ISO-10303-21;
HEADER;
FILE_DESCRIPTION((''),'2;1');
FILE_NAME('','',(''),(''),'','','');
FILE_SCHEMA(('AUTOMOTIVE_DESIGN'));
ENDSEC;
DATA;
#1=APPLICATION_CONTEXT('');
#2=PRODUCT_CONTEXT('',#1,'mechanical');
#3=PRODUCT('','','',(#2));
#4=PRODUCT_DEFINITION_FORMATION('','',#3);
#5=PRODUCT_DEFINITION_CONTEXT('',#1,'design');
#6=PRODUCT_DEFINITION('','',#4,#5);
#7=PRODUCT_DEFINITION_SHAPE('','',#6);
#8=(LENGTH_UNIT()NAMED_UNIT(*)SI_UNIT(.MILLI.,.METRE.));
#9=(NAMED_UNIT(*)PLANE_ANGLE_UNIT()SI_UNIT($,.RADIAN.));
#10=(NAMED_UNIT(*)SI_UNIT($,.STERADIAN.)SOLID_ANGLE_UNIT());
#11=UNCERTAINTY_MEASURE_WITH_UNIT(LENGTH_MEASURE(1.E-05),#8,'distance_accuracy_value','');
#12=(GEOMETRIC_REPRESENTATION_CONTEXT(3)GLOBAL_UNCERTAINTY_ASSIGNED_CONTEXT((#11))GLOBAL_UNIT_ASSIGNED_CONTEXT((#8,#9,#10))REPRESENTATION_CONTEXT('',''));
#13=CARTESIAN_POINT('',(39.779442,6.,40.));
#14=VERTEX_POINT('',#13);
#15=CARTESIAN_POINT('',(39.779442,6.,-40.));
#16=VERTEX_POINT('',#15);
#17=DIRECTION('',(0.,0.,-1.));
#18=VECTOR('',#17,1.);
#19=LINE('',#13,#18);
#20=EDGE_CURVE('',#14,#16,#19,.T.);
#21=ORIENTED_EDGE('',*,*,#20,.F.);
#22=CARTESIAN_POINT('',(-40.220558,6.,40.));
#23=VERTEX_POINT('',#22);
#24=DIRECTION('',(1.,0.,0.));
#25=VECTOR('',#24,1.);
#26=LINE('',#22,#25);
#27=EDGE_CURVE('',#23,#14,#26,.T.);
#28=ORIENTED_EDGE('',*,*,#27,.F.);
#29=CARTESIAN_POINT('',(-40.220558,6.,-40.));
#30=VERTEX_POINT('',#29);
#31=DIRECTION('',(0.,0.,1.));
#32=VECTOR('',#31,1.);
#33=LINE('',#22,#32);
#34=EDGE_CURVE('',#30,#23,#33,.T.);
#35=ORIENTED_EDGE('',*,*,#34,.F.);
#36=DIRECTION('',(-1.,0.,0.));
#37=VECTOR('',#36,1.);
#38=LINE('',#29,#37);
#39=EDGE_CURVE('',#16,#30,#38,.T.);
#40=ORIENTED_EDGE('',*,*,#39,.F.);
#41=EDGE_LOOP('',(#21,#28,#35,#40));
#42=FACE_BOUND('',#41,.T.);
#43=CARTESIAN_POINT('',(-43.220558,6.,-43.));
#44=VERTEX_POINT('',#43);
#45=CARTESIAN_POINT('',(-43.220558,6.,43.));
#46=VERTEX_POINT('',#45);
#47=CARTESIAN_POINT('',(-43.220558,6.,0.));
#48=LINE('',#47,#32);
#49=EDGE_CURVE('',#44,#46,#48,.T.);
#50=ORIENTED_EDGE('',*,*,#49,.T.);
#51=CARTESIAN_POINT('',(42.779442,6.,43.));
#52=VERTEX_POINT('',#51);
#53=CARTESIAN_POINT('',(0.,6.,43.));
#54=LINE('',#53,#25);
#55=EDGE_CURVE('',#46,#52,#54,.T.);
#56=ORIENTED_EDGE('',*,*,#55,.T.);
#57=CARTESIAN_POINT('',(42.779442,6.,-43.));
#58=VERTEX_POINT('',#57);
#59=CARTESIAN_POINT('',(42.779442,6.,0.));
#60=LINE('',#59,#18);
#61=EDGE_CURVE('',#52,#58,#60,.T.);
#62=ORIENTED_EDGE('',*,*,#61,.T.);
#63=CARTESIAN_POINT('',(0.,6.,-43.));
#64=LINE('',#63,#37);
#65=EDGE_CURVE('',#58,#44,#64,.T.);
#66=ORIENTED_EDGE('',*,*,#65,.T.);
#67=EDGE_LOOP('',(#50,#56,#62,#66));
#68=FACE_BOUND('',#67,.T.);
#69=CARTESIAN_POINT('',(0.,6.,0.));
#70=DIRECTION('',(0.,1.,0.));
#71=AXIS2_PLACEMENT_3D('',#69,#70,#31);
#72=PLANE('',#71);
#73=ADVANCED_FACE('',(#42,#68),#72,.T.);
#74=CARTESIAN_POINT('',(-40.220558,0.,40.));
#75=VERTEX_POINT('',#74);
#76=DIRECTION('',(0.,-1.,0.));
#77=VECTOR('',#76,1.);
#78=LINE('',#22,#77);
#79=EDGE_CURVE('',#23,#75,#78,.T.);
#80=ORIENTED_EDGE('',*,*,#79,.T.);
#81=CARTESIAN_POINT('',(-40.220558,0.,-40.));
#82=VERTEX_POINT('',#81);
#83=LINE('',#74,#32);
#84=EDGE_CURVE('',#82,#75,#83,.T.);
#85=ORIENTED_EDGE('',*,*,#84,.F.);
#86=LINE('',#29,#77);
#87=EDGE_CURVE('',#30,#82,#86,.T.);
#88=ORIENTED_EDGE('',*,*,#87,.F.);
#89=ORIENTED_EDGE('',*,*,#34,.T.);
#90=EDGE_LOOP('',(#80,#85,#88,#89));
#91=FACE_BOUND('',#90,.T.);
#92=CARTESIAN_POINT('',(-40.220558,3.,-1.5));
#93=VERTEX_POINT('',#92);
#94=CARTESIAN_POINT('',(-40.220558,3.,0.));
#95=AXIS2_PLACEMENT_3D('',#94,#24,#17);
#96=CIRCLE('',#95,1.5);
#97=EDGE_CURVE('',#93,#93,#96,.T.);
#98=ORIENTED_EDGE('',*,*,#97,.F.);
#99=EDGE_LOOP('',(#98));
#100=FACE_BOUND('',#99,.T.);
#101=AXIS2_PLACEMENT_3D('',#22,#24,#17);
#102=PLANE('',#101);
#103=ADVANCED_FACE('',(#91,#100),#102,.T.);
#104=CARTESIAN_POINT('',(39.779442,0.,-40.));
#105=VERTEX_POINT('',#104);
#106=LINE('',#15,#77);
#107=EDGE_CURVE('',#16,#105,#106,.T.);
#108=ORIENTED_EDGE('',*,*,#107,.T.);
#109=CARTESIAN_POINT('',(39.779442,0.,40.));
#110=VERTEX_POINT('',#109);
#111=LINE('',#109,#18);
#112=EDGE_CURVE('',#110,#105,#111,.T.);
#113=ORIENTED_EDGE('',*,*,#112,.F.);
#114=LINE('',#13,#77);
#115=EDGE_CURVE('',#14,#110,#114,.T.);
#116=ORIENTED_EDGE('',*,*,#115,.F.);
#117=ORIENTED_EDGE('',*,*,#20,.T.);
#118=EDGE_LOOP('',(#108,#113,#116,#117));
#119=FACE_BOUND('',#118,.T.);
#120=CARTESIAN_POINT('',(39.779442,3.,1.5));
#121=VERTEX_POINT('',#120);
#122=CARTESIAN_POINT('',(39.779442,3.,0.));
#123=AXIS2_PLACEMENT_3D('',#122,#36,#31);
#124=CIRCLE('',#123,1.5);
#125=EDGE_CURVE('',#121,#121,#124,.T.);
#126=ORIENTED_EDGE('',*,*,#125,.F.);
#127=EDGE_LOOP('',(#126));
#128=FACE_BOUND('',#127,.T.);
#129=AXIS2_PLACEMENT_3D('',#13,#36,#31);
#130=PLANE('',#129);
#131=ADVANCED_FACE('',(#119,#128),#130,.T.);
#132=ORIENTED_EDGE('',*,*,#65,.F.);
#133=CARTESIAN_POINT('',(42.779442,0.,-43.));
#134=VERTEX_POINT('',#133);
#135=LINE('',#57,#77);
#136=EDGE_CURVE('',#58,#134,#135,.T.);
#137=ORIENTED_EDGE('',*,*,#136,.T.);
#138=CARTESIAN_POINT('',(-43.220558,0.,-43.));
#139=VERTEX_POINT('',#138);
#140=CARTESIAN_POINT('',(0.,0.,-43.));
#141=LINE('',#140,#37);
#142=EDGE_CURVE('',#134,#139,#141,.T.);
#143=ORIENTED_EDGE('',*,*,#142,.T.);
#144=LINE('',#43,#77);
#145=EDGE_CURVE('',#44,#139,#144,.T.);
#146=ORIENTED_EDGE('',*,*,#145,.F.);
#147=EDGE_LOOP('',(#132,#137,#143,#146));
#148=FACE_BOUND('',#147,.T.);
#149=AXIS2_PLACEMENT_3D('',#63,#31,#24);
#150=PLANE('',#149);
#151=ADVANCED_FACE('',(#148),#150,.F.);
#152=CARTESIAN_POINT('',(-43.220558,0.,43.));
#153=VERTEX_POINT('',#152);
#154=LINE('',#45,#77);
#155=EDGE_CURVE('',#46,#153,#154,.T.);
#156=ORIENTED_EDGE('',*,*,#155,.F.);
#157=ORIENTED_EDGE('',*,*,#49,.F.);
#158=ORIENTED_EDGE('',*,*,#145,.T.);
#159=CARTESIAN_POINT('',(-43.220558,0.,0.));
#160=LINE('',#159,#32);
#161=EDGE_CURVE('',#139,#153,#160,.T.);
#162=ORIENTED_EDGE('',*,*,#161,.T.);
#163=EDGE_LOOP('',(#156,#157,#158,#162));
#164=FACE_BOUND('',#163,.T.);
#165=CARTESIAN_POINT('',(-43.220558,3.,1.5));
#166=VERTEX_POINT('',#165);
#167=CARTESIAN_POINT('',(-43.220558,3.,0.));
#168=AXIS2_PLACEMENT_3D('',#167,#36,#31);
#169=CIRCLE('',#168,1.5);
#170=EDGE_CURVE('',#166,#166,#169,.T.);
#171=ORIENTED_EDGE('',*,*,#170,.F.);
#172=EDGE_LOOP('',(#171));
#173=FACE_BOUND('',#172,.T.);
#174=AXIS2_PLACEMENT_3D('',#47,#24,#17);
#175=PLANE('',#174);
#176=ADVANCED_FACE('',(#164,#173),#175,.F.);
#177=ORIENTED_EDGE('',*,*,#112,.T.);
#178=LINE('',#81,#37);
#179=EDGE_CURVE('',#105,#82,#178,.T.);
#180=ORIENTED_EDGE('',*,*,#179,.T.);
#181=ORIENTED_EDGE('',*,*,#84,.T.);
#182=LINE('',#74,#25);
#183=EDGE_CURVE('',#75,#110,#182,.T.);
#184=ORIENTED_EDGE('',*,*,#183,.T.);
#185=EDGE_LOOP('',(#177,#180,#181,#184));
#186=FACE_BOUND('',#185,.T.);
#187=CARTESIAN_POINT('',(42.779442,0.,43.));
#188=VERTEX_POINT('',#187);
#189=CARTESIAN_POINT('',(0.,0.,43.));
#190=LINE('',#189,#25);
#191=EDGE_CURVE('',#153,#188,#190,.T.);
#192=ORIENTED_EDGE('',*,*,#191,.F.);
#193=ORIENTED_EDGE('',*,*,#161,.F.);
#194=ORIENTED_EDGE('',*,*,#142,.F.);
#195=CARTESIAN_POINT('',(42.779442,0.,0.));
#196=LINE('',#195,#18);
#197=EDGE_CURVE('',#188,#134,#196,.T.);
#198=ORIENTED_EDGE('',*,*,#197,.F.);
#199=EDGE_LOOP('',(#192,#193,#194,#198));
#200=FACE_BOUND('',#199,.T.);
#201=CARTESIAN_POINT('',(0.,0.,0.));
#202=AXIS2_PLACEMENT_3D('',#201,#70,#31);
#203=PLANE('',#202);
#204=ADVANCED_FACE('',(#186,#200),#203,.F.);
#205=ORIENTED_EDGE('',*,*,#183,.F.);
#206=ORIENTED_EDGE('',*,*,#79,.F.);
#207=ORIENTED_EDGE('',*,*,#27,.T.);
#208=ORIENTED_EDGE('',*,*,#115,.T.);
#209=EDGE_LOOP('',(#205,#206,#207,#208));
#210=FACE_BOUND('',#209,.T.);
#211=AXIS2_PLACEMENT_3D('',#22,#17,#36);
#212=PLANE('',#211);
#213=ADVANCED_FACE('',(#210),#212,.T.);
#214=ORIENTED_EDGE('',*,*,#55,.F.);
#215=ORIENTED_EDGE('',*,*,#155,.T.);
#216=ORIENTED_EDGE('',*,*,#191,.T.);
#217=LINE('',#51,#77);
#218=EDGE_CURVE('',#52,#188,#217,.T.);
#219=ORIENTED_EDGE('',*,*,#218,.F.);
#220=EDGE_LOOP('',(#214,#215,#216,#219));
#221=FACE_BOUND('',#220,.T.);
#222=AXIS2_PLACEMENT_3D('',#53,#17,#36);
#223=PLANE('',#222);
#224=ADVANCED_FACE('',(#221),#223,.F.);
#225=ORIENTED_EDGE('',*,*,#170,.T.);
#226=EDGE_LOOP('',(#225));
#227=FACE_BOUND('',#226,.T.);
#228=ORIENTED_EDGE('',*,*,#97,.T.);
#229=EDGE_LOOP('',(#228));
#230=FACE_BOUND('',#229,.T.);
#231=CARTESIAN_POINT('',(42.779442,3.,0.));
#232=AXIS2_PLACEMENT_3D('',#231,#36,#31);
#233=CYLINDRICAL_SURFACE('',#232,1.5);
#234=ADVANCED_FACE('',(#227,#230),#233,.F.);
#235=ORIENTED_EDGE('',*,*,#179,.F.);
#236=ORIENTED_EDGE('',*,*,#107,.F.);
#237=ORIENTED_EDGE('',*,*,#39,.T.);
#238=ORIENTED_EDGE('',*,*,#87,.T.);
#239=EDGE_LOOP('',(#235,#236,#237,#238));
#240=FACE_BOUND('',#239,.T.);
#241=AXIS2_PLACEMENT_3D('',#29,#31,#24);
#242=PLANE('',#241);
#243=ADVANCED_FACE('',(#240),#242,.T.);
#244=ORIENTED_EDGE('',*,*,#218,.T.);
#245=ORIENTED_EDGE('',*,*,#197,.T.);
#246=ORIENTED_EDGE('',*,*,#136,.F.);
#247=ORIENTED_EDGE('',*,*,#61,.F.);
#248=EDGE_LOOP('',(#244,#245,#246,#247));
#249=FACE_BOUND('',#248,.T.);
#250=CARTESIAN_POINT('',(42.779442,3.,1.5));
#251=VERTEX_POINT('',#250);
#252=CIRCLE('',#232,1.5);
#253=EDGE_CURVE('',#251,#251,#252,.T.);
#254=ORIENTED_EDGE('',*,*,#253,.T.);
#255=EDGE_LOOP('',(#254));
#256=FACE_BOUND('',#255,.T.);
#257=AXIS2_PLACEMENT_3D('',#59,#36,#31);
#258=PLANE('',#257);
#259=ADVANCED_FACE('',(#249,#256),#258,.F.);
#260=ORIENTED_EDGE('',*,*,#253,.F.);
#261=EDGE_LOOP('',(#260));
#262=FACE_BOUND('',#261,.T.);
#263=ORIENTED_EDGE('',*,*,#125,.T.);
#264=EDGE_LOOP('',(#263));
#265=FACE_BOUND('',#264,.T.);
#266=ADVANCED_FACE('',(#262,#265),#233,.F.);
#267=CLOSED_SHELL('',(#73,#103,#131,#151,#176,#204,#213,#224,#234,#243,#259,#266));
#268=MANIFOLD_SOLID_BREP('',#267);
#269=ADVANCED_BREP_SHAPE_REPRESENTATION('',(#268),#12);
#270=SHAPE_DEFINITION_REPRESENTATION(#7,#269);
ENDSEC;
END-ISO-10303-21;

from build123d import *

# Parameters (mm, degrees)
SKETCH1_W               = 86
SKETCH1_H               = 86
SKETCH1_W_2             = 80
SKETCH1_H_2             = 80
EXTRUDE_THIN1_DEPTH     = 6
CUT_EXTRUDE1_DEPTH      = 94.669632219
CUT_EXTRUDE1_DEPTH_BACK = 94.669632219
SKETCH2_R               = 1.5


with BuildPart() as part:
    # Sketch1 → Extrude-Thin1 (new body)
    with BuildSketch(Plane(origin=(0, 0, 0), x_dir=(1, 0, 0), z_dir=(0, 1, 0))):
        with Locations((-0.220557938, 0)):
            Rectangle(SKETCH1_W, SKETCH1_H)
        with Locations((-0.220557938, 0)):
            Rectangle(SKETCH1_W_2, SKETCH1_H_2, mode=Mode.SUBTRACT)
    extrude(amount=EXTRUDE_THIN1_DEPTH)

    # Sketch2 → Cut-Extrude1 (cut, two sides: drawn at the far end of the back side and taken through both)
    with BuildSketch(Plane.ZY.offset(-39.779442062).offset(-CUT_EXTRUDE1_DEPTH_BACK)):
        with Locations((0, 3)):
            Circle(SKETCH2_R)
    extrude(amount=CUT_EXTRUDE1_DEPTH + CUT_EXTRUDE1_DEPTH_BACK, mode=Mode.SUBTRACT)


solid = part.part
